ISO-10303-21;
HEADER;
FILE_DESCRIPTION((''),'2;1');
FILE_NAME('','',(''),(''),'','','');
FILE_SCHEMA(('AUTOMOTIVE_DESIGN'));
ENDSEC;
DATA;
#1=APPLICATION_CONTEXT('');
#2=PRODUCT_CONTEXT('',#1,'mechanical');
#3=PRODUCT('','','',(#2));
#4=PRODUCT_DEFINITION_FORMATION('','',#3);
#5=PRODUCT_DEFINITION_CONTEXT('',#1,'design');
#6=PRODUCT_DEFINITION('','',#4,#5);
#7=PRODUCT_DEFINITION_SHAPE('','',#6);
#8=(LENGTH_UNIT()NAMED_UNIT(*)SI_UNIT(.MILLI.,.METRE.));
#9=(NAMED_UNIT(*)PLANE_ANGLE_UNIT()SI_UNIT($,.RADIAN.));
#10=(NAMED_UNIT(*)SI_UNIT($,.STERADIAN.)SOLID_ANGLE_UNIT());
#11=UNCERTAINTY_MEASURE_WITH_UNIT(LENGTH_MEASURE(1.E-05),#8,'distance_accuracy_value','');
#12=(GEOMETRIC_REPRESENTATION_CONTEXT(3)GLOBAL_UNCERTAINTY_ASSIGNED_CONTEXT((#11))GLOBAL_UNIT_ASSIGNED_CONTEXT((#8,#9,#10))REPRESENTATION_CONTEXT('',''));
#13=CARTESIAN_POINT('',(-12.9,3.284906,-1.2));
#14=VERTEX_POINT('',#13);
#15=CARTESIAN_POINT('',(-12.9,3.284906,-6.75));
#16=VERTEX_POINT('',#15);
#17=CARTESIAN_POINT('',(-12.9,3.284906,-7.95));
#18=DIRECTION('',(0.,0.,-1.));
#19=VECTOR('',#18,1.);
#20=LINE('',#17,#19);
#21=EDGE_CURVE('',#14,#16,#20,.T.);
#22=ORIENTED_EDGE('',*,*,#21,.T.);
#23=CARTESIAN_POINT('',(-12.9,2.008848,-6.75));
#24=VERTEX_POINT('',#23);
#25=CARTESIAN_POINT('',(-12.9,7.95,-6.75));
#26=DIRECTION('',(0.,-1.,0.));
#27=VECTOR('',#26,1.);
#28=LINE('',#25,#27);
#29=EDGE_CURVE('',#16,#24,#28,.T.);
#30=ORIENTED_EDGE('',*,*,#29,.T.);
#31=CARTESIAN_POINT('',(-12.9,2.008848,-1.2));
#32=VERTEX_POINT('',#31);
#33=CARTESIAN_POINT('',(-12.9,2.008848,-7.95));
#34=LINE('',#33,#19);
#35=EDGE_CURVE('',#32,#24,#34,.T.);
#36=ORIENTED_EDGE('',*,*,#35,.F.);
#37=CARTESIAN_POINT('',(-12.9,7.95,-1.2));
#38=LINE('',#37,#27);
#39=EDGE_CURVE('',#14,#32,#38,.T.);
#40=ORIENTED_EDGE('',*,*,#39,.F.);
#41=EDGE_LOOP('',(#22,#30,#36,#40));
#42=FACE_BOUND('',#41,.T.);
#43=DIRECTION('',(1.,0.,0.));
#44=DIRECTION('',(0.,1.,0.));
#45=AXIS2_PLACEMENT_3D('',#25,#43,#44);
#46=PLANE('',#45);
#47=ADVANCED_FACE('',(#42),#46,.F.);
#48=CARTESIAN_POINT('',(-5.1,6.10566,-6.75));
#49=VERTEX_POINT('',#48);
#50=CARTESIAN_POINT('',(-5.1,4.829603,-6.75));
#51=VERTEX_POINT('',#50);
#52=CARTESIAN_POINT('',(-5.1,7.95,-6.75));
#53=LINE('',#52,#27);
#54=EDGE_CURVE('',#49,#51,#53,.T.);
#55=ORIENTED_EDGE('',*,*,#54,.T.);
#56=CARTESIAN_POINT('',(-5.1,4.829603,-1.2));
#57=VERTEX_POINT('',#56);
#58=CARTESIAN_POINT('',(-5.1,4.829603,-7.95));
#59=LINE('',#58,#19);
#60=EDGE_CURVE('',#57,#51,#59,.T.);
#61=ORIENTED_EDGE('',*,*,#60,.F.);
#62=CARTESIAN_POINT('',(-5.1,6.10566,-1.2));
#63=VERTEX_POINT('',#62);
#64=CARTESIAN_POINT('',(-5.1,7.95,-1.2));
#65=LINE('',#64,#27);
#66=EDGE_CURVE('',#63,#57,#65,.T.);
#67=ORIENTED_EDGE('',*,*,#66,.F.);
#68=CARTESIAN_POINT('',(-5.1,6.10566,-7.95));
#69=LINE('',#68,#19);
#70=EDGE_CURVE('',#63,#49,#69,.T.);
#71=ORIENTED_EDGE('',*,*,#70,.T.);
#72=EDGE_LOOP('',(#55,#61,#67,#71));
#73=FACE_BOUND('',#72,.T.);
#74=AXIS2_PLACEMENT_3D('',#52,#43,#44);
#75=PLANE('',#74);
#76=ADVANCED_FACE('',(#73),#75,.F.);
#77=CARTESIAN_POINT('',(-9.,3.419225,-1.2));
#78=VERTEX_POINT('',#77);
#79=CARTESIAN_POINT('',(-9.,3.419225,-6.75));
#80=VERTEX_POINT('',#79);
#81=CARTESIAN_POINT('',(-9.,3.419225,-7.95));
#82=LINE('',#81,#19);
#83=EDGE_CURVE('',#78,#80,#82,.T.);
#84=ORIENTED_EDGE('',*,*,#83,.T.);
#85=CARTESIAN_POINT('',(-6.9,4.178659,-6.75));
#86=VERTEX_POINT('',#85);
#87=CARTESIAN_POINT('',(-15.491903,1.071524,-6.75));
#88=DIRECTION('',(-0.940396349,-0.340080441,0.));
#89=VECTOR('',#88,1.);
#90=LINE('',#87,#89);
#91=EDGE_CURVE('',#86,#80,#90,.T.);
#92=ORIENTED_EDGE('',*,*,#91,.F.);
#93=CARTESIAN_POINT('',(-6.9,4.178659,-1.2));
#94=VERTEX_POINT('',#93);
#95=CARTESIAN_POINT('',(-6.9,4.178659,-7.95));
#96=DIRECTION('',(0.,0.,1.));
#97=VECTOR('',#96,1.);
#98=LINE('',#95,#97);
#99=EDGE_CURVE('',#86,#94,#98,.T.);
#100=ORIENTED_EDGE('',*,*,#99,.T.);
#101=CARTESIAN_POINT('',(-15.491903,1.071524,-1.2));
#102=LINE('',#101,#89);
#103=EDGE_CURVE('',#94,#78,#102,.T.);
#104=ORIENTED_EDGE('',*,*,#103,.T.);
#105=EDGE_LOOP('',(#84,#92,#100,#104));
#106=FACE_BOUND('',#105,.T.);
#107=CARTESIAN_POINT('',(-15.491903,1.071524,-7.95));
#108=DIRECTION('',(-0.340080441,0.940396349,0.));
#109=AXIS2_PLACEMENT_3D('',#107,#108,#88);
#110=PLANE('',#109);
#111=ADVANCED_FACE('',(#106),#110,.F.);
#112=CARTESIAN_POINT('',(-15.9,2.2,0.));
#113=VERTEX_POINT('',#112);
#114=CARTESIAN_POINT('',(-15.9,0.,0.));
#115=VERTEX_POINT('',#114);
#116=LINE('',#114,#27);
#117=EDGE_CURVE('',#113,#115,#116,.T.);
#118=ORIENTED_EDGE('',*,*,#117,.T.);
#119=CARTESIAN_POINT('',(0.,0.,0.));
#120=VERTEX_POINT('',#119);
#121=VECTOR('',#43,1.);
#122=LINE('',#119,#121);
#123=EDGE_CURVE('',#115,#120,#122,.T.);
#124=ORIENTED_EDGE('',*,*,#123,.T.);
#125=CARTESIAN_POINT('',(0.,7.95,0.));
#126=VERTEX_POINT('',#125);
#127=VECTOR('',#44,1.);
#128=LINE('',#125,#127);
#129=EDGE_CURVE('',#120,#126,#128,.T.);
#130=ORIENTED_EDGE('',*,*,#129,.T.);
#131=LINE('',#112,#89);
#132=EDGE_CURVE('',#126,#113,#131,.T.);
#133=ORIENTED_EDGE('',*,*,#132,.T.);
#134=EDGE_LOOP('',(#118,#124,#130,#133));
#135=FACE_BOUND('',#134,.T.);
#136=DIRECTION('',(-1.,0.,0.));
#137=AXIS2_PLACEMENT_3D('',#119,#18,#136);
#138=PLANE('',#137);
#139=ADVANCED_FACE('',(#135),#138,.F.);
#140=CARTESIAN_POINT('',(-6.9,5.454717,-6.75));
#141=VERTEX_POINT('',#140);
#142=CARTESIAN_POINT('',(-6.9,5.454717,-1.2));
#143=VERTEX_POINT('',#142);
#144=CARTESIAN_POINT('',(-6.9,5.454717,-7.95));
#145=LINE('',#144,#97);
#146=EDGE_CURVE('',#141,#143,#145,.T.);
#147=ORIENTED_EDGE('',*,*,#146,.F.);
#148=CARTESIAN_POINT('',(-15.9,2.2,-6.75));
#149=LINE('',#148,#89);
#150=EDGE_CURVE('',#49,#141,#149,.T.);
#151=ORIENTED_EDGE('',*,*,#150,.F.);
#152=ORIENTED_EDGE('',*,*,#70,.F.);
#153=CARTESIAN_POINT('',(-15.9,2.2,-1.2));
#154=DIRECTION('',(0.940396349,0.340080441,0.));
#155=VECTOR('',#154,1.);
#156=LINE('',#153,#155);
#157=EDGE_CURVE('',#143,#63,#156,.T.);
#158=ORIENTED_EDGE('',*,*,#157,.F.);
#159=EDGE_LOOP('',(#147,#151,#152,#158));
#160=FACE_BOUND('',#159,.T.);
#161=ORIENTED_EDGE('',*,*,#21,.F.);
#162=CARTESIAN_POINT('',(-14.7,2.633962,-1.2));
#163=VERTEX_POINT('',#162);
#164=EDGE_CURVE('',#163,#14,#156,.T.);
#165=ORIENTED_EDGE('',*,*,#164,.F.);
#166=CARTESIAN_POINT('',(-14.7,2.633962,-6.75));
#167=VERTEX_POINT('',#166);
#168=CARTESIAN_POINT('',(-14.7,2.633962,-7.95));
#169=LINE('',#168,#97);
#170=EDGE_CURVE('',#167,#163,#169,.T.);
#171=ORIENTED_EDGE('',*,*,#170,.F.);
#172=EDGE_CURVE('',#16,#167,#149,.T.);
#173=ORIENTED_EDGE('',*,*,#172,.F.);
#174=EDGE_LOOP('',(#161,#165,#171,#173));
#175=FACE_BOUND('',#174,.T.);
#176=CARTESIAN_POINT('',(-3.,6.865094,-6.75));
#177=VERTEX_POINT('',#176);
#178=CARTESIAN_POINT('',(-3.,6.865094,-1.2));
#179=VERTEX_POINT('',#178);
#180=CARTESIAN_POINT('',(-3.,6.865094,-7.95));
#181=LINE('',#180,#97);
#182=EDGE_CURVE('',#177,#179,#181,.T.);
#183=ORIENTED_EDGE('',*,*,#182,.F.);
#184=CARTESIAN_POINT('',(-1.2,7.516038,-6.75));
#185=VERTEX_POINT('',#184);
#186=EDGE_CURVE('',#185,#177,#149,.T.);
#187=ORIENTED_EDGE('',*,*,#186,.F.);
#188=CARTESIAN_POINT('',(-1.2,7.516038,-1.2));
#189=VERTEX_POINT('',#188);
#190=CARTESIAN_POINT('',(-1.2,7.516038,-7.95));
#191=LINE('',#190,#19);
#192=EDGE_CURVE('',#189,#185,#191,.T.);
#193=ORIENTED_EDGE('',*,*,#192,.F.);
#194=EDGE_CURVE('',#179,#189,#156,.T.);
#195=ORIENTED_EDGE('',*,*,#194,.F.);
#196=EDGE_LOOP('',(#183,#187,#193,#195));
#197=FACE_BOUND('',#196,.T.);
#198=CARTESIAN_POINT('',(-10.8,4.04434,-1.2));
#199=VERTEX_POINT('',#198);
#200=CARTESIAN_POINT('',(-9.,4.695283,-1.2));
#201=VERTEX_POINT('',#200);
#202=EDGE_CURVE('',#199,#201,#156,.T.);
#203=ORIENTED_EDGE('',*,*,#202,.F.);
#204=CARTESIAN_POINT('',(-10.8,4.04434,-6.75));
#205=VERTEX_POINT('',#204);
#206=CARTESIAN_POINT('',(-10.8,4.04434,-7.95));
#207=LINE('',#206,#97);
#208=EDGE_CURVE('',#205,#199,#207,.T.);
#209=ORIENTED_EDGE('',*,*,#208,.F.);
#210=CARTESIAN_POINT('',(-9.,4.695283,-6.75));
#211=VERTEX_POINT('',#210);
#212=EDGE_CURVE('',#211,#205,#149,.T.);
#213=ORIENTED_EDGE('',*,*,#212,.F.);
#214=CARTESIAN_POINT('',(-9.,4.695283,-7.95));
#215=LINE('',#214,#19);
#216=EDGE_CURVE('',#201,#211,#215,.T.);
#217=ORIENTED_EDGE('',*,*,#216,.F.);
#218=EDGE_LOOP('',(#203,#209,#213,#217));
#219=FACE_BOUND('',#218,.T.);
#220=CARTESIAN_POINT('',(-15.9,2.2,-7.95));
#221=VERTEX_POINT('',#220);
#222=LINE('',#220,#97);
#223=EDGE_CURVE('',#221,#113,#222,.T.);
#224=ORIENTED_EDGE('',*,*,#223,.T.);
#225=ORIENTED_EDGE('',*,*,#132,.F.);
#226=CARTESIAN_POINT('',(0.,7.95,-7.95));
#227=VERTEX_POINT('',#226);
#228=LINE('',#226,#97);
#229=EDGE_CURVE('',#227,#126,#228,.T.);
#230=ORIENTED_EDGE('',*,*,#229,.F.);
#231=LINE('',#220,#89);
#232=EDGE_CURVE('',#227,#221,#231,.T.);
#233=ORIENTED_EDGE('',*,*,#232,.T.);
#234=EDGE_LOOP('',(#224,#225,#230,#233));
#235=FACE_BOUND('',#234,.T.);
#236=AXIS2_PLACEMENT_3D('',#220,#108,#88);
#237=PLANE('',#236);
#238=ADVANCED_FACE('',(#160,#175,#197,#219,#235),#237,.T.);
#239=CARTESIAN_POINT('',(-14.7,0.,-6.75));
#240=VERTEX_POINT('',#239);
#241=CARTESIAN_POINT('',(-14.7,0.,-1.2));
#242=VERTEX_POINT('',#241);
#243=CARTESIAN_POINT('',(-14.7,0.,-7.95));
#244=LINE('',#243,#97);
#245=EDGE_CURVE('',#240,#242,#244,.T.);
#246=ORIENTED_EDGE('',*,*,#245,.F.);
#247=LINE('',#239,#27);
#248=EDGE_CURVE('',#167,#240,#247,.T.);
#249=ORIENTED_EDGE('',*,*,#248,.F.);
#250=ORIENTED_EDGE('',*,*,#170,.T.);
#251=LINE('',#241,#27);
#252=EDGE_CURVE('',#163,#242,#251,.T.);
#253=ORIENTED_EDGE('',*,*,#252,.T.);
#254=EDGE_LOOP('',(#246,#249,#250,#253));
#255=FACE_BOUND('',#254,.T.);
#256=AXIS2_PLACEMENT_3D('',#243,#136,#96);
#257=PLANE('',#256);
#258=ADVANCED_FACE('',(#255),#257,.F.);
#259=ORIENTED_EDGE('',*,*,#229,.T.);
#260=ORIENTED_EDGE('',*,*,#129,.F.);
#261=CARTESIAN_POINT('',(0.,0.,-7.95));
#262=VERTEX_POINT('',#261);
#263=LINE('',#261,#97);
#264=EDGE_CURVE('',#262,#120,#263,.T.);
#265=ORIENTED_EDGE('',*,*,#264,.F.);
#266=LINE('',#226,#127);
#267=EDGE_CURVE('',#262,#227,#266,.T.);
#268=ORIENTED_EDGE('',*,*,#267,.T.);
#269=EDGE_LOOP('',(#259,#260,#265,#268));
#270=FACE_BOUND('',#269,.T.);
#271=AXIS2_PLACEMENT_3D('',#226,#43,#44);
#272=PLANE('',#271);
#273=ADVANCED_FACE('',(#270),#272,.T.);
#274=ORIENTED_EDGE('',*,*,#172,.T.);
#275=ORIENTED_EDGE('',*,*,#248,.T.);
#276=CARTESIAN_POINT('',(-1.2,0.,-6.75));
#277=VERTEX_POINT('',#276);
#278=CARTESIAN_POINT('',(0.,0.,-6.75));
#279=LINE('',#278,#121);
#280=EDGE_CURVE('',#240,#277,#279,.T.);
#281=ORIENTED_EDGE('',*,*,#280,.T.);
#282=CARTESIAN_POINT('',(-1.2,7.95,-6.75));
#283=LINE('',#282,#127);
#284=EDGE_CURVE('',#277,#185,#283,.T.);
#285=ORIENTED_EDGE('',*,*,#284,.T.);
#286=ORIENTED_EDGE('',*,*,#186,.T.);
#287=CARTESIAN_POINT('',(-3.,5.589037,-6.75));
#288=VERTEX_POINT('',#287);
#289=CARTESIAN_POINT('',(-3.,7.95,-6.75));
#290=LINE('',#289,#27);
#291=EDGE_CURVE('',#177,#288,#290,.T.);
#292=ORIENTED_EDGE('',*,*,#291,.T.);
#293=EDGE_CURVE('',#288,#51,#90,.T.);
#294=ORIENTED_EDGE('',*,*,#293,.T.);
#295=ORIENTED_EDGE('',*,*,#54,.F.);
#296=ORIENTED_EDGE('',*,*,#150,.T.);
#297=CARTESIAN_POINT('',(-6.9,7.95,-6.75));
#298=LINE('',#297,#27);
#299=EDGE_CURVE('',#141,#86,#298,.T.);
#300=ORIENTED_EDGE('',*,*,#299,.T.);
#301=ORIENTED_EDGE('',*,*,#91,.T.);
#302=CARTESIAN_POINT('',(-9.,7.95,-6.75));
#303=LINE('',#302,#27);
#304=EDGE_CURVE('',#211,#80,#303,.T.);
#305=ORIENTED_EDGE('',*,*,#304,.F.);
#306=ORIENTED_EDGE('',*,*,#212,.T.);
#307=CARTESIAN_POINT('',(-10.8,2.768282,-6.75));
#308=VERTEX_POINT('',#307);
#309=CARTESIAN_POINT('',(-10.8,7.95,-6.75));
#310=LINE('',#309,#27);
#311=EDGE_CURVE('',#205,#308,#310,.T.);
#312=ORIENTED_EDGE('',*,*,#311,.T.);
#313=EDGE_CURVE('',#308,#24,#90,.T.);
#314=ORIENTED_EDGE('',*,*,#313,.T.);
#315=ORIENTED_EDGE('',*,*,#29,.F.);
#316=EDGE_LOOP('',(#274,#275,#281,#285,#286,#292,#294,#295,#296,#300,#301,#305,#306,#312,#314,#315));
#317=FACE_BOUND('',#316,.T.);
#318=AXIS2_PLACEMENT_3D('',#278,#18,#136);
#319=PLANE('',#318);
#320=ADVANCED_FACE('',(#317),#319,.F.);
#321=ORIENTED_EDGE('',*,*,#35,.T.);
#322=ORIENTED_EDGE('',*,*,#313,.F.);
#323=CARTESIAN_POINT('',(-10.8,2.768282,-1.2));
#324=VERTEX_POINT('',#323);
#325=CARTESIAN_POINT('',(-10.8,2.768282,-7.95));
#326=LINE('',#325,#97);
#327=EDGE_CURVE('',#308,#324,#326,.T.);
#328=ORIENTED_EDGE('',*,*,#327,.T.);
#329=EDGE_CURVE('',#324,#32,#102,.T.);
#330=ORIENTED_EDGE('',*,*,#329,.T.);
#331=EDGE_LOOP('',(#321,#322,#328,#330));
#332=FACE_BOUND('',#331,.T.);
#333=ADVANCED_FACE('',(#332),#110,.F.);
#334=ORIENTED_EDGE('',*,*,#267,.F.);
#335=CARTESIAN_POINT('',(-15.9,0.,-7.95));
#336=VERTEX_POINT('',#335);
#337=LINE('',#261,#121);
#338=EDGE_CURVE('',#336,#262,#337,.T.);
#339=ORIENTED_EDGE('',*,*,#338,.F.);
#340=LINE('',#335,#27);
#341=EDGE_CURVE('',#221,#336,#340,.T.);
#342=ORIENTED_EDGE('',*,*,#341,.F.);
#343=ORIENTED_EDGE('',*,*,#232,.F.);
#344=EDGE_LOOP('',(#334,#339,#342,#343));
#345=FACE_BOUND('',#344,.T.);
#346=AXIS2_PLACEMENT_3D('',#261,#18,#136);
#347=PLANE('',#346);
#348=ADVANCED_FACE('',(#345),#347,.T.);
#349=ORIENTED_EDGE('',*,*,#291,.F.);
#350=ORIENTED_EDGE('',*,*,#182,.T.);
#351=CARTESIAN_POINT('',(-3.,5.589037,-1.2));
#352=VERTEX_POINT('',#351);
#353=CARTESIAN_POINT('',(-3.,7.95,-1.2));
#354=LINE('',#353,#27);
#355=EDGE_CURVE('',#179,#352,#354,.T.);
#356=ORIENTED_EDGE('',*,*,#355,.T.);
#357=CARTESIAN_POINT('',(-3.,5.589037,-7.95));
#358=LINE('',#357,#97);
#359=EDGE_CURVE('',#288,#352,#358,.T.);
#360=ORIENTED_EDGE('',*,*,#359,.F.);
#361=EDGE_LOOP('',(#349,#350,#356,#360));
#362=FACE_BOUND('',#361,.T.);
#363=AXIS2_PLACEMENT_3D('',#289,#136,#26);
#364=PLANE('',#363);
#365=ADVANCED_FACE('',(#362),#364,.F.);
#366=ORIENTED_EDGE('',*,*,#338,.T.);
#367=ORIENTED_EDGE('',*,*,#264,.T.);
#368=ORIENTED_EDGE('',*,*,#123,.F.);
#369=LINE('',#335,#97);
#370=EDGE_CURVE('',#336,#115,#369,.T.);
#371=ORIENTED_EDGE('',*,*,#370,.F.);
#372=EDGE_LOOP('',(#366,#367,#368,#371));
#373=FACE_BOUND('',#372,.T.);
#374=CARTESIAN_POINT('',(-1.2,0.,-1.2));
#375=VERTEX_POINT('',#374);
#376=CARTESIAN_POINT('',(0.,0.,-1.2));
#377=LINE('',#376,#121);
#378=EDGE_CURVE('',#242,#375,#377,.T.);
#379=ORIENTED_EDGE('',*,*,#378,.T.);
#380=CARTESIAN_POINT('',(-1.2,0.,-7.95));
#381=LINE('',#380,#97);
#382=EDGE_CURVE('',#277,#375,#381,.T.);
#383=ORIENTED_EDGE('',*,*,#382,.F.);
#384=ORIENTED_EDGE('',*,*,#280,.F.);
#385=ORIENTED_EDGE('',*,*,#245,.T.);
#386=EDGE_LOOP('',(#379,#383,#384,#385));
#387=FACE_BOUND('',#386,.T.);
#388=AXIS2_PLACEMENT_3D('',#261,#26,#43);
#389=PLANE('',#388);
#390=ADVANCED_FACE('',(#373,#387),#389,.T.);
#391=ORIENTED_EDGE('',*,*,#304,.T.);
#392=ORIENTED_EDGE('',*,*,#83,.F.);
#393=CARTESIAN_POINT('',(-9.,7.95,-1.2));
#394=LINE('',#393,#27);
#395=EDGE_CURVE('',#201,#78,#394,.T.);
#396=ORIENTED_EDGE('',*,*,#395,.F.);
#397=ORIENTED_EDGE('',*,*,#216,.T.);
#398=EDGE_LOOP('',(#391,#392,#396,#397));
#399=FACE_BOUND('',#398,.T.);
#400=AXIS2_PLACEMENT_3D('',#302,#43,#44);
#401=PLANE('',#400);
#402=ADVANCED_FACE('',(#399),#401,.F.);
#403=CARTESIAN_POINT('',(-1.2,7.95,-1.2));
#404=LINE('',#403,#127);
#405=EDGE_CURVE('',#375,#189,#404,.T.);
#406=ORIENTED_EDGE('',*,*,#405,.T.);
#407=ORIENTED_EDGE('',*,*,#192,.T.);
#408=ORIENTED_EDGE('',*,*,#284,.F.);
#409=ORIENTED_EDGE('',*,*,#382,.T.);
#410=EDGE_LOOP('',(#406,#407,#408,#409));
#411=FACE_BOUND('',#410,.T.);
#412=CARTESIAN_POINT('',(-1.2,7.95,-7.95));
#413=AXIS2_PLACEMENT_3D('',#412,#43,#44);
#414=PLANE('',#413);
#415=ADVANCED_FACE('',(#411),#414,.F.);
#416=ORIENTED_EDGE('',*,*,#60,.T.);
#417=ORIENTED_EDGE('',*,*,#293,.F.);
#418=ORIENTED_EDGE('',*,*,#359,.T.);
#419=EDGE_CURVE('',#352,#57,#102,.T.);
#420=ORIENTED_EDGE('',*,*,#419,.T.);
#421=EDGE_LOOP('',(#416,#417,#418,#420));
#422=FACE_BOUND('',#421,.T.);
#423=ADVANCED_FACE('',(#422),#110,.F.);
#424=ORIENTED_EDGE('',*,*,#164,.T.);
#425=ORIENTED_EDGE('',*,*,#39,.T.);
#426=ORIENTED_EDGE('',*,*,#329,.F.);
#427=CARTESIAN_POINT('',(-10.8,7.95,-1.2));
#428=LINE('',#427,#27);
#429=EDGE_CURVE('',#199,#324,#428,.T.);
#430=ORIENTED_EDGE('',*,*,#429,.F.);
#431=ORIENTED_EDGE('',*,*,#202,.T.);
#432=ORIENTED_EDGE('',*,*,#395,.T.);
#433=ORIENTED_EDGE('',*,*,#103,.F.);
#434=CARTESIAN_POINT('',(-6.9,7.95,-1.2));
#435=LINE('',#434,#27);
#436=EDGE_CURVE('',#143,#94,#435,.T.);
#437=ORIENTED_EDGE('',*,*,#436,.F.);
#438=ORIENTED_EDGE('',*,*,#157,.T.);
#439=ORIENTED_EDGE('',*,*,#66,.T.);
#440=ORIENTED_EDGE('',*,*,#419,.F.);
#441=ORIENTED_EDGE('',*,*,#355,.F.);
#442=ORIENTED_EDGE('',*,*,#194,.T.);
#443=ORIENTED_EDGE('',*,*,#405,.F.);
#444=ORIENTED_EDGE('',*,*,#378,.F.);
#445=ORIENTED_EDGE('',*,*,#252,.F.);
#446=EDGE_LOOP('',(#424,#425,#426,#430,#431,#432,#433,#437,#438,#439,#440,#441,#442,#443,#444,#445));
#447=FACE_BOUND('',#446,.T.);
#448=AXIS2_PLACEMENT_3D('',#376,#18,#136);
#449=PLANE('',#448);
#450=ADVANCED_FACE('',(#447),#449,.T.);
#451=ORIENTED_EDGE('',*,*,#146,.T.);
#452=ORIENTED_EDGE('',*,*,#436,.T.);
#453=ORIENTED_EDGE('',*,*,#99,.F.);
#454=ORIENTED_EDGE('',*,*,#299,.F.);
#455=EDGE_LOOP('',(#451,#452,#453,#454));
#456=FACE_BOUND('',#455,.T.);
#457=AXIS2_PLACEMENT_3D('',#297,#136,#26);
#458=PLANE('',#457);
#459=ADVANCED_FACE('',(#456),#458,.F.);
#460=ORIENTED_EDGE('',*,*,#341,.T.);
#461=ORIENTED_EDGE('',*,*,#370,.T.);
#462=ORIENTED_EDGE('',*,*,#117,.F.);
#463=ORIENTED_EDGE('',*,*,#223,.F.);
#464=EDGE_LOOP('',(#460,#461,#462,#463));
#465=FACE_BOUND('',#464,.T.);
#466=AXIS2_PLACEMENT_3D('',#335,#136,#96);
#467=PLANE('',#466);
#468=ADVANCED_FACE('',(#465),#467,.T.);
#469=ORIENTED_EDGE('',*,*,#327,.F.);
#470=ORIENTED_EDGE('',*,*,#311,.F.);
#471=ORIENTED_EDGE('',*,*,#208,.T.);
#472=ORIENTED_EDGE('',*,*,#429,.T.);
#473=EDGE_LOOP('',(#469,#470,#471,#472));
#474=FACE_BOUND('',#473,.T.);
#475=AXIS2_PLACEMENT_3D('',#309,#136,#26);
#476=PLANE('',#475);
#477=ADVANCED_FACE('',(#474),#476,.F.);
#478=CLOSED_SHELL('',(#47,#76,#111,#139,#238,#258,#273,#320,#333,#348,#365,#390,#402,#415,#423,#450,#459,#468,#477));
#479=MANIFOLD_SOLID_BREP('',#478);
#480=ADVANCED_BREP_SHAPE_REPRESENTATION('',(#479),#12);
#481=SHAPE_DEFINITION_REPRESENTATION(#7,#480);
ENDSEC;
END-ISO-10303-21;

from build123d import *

# Parameters (mm, degrees)
BOSS_EXTRUDE1_DEPTH = 7.95
SHELL1_T            = -1.2
SKETCH2_W           = 1.8
SKETCH2_H           = 5.55
CUT_EXTRUDE1_DEPTH  = 20.473443455
LPATTERN1_COUNT     = 4
LPATTERN1_PITCH     = 3.9


with BuildPart() as part:
    # Sketch1 → Boss-Extrude1 (new body)
    with BuildSketch(Plane.XY):
        Polygon((0, 0), (-15.9, 0), (-15.9, 2.2), (0, 7.95), align=None)
    extrude(amount=-BOSS_EXTRUDE1_DEPTH)

    # Shell1
    shell1_openings = [part.faces().sort_by_distance(p)[0] for p in [
        (-7.95, 0, -3.975),
    ]]
    offset(amount=SHELL1_T, openings=shell1_openings, kind=Kind.INTERSECTION)

    # Sketch2 → Cut-Extrude1 (cut, through all)
    with BuildSketch(Plane.XZ):
        with Locations((-13.8, -3.975)):
            Rectangle(SKETCH2_W, SKETCH2_H)
    cut_extrude1 = extrude(amount=-CUT_EXTRUDE1_DEPTH, mode=Mode.SUBTRACT)

    # LPattern1: Cut-Extrude1 ×4
    with Locations(*[(i * LPATTERN1_PITCH, 0, 0) for i in range(1, LPATTERN1_COUNT)]):
        add(cut_extrude1, mode=Mode.SUBTRACT)


solid = part.part
